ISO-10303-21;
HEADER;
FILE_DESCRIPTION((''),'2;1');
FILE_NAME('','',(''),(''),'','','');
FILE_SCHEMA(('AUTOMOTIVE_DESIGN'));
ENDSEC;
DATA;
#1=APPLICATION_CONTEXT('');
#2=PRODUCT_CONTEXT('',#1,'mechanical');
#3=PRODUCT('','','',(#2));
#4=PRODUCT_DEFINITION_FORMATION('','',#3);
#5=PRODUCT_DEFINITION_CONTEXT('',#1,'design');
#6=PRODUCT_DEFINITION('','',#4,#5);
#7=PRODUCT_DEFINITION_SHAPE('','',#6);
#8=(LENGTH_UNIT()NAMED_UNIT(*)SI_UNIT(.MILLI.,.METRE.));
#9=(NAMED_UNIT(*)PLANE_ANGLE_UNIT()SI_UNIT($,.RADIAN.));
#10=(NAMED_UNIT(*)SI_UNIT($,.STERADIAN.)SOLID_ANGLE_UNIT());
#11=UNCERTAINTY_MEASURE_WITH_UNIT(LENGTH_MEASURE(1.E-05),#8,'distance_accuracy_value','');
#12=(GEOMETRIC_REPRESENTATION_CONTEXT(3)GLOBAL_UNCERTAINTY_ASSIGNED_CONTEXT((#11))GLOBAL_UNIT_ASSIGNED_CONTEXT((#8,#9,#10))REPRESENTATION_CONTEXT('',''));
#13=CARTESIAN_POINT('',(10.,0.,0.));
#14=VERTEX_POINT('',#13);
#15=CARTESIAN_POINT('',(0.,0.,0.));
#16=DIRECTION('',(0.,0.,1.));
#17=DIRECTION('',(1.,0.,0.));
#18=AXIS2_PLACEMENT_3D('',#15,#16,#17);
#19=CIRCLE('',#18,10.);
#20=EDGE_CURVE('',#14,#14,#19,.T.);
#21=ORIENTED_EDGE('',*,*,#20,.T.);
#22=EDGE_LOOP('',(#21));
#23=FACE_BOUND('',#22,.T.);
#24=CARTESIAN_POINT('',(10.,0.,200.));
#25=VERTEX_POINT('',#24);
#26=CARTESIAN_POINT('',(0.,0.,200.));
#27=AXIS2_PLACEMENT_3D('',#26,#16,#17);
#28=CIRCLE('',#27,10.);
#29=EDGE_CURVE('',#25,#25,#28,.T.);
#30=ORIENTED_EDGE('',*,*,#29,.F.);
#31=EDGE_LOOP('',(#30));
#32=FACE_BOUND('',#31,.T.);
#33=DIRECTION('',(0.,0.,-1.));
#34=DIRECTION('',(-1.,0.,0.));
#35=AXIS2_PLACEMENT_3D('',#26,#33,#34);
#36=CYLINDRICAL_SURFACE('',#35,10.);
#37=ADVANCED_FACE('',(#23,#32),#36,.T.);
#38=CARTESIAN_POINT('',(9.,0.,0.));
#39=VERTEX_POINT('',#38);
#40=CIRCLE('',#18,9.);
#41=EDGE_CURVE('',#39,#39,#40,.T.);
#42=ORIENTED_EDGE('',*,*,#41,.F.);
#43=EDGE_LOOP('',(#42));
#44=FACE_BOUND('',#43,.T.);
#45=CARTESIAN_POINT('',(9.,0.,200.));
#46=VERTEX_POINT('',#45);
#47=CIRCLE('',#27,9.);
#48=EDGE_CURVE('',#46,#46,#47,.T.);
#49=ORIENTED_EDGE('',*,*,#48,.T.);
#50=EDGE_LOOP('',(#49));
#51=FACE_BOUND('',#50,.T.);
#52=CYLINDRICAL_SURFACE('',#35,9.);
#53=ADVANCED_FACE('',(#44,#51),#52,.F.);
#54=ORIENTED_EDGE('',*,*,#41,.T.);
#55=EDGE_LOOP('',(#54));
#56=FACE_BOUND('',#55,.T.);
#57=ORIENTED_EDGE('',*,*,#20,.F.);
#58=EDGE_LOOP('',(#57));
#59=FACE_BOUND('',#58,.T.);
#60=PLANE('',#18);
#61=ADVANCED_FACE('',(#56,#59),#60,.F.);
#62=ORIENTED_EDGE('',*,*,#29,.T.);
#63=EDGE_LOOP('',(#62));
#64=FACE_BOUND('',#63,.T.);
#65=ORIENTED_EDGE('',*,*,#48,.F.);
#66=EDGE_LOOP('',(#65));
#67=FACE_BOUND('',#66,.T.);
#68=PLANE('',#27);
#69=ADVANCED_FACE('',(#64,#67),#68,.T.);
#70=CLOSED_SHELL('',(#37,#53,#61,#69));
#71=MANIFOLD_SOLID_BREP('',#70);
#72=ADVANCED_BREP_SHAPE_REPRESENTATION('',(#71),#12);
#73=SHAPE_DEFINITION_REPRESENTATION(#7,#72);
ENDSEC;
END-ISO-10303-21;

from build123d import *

# Parameters (mm, degrees)
SKETCH3_R           = 10
SKETCH3_R_2         = 9
EXTRUDE_THIN2_DEPTH = 200


with BuildPart() as part:
    # Sketch3 → Extrude-Thin2 (new body)
    with BuildSketch(Plane.XY):
        Circle(SKETCH3_R)
        Circle(SKETCH3_R_2, mode=Mode.SUBTRACT)
    extrude(amount=EXTRUDE_THIN2_DEPTH)


solid = part.part
